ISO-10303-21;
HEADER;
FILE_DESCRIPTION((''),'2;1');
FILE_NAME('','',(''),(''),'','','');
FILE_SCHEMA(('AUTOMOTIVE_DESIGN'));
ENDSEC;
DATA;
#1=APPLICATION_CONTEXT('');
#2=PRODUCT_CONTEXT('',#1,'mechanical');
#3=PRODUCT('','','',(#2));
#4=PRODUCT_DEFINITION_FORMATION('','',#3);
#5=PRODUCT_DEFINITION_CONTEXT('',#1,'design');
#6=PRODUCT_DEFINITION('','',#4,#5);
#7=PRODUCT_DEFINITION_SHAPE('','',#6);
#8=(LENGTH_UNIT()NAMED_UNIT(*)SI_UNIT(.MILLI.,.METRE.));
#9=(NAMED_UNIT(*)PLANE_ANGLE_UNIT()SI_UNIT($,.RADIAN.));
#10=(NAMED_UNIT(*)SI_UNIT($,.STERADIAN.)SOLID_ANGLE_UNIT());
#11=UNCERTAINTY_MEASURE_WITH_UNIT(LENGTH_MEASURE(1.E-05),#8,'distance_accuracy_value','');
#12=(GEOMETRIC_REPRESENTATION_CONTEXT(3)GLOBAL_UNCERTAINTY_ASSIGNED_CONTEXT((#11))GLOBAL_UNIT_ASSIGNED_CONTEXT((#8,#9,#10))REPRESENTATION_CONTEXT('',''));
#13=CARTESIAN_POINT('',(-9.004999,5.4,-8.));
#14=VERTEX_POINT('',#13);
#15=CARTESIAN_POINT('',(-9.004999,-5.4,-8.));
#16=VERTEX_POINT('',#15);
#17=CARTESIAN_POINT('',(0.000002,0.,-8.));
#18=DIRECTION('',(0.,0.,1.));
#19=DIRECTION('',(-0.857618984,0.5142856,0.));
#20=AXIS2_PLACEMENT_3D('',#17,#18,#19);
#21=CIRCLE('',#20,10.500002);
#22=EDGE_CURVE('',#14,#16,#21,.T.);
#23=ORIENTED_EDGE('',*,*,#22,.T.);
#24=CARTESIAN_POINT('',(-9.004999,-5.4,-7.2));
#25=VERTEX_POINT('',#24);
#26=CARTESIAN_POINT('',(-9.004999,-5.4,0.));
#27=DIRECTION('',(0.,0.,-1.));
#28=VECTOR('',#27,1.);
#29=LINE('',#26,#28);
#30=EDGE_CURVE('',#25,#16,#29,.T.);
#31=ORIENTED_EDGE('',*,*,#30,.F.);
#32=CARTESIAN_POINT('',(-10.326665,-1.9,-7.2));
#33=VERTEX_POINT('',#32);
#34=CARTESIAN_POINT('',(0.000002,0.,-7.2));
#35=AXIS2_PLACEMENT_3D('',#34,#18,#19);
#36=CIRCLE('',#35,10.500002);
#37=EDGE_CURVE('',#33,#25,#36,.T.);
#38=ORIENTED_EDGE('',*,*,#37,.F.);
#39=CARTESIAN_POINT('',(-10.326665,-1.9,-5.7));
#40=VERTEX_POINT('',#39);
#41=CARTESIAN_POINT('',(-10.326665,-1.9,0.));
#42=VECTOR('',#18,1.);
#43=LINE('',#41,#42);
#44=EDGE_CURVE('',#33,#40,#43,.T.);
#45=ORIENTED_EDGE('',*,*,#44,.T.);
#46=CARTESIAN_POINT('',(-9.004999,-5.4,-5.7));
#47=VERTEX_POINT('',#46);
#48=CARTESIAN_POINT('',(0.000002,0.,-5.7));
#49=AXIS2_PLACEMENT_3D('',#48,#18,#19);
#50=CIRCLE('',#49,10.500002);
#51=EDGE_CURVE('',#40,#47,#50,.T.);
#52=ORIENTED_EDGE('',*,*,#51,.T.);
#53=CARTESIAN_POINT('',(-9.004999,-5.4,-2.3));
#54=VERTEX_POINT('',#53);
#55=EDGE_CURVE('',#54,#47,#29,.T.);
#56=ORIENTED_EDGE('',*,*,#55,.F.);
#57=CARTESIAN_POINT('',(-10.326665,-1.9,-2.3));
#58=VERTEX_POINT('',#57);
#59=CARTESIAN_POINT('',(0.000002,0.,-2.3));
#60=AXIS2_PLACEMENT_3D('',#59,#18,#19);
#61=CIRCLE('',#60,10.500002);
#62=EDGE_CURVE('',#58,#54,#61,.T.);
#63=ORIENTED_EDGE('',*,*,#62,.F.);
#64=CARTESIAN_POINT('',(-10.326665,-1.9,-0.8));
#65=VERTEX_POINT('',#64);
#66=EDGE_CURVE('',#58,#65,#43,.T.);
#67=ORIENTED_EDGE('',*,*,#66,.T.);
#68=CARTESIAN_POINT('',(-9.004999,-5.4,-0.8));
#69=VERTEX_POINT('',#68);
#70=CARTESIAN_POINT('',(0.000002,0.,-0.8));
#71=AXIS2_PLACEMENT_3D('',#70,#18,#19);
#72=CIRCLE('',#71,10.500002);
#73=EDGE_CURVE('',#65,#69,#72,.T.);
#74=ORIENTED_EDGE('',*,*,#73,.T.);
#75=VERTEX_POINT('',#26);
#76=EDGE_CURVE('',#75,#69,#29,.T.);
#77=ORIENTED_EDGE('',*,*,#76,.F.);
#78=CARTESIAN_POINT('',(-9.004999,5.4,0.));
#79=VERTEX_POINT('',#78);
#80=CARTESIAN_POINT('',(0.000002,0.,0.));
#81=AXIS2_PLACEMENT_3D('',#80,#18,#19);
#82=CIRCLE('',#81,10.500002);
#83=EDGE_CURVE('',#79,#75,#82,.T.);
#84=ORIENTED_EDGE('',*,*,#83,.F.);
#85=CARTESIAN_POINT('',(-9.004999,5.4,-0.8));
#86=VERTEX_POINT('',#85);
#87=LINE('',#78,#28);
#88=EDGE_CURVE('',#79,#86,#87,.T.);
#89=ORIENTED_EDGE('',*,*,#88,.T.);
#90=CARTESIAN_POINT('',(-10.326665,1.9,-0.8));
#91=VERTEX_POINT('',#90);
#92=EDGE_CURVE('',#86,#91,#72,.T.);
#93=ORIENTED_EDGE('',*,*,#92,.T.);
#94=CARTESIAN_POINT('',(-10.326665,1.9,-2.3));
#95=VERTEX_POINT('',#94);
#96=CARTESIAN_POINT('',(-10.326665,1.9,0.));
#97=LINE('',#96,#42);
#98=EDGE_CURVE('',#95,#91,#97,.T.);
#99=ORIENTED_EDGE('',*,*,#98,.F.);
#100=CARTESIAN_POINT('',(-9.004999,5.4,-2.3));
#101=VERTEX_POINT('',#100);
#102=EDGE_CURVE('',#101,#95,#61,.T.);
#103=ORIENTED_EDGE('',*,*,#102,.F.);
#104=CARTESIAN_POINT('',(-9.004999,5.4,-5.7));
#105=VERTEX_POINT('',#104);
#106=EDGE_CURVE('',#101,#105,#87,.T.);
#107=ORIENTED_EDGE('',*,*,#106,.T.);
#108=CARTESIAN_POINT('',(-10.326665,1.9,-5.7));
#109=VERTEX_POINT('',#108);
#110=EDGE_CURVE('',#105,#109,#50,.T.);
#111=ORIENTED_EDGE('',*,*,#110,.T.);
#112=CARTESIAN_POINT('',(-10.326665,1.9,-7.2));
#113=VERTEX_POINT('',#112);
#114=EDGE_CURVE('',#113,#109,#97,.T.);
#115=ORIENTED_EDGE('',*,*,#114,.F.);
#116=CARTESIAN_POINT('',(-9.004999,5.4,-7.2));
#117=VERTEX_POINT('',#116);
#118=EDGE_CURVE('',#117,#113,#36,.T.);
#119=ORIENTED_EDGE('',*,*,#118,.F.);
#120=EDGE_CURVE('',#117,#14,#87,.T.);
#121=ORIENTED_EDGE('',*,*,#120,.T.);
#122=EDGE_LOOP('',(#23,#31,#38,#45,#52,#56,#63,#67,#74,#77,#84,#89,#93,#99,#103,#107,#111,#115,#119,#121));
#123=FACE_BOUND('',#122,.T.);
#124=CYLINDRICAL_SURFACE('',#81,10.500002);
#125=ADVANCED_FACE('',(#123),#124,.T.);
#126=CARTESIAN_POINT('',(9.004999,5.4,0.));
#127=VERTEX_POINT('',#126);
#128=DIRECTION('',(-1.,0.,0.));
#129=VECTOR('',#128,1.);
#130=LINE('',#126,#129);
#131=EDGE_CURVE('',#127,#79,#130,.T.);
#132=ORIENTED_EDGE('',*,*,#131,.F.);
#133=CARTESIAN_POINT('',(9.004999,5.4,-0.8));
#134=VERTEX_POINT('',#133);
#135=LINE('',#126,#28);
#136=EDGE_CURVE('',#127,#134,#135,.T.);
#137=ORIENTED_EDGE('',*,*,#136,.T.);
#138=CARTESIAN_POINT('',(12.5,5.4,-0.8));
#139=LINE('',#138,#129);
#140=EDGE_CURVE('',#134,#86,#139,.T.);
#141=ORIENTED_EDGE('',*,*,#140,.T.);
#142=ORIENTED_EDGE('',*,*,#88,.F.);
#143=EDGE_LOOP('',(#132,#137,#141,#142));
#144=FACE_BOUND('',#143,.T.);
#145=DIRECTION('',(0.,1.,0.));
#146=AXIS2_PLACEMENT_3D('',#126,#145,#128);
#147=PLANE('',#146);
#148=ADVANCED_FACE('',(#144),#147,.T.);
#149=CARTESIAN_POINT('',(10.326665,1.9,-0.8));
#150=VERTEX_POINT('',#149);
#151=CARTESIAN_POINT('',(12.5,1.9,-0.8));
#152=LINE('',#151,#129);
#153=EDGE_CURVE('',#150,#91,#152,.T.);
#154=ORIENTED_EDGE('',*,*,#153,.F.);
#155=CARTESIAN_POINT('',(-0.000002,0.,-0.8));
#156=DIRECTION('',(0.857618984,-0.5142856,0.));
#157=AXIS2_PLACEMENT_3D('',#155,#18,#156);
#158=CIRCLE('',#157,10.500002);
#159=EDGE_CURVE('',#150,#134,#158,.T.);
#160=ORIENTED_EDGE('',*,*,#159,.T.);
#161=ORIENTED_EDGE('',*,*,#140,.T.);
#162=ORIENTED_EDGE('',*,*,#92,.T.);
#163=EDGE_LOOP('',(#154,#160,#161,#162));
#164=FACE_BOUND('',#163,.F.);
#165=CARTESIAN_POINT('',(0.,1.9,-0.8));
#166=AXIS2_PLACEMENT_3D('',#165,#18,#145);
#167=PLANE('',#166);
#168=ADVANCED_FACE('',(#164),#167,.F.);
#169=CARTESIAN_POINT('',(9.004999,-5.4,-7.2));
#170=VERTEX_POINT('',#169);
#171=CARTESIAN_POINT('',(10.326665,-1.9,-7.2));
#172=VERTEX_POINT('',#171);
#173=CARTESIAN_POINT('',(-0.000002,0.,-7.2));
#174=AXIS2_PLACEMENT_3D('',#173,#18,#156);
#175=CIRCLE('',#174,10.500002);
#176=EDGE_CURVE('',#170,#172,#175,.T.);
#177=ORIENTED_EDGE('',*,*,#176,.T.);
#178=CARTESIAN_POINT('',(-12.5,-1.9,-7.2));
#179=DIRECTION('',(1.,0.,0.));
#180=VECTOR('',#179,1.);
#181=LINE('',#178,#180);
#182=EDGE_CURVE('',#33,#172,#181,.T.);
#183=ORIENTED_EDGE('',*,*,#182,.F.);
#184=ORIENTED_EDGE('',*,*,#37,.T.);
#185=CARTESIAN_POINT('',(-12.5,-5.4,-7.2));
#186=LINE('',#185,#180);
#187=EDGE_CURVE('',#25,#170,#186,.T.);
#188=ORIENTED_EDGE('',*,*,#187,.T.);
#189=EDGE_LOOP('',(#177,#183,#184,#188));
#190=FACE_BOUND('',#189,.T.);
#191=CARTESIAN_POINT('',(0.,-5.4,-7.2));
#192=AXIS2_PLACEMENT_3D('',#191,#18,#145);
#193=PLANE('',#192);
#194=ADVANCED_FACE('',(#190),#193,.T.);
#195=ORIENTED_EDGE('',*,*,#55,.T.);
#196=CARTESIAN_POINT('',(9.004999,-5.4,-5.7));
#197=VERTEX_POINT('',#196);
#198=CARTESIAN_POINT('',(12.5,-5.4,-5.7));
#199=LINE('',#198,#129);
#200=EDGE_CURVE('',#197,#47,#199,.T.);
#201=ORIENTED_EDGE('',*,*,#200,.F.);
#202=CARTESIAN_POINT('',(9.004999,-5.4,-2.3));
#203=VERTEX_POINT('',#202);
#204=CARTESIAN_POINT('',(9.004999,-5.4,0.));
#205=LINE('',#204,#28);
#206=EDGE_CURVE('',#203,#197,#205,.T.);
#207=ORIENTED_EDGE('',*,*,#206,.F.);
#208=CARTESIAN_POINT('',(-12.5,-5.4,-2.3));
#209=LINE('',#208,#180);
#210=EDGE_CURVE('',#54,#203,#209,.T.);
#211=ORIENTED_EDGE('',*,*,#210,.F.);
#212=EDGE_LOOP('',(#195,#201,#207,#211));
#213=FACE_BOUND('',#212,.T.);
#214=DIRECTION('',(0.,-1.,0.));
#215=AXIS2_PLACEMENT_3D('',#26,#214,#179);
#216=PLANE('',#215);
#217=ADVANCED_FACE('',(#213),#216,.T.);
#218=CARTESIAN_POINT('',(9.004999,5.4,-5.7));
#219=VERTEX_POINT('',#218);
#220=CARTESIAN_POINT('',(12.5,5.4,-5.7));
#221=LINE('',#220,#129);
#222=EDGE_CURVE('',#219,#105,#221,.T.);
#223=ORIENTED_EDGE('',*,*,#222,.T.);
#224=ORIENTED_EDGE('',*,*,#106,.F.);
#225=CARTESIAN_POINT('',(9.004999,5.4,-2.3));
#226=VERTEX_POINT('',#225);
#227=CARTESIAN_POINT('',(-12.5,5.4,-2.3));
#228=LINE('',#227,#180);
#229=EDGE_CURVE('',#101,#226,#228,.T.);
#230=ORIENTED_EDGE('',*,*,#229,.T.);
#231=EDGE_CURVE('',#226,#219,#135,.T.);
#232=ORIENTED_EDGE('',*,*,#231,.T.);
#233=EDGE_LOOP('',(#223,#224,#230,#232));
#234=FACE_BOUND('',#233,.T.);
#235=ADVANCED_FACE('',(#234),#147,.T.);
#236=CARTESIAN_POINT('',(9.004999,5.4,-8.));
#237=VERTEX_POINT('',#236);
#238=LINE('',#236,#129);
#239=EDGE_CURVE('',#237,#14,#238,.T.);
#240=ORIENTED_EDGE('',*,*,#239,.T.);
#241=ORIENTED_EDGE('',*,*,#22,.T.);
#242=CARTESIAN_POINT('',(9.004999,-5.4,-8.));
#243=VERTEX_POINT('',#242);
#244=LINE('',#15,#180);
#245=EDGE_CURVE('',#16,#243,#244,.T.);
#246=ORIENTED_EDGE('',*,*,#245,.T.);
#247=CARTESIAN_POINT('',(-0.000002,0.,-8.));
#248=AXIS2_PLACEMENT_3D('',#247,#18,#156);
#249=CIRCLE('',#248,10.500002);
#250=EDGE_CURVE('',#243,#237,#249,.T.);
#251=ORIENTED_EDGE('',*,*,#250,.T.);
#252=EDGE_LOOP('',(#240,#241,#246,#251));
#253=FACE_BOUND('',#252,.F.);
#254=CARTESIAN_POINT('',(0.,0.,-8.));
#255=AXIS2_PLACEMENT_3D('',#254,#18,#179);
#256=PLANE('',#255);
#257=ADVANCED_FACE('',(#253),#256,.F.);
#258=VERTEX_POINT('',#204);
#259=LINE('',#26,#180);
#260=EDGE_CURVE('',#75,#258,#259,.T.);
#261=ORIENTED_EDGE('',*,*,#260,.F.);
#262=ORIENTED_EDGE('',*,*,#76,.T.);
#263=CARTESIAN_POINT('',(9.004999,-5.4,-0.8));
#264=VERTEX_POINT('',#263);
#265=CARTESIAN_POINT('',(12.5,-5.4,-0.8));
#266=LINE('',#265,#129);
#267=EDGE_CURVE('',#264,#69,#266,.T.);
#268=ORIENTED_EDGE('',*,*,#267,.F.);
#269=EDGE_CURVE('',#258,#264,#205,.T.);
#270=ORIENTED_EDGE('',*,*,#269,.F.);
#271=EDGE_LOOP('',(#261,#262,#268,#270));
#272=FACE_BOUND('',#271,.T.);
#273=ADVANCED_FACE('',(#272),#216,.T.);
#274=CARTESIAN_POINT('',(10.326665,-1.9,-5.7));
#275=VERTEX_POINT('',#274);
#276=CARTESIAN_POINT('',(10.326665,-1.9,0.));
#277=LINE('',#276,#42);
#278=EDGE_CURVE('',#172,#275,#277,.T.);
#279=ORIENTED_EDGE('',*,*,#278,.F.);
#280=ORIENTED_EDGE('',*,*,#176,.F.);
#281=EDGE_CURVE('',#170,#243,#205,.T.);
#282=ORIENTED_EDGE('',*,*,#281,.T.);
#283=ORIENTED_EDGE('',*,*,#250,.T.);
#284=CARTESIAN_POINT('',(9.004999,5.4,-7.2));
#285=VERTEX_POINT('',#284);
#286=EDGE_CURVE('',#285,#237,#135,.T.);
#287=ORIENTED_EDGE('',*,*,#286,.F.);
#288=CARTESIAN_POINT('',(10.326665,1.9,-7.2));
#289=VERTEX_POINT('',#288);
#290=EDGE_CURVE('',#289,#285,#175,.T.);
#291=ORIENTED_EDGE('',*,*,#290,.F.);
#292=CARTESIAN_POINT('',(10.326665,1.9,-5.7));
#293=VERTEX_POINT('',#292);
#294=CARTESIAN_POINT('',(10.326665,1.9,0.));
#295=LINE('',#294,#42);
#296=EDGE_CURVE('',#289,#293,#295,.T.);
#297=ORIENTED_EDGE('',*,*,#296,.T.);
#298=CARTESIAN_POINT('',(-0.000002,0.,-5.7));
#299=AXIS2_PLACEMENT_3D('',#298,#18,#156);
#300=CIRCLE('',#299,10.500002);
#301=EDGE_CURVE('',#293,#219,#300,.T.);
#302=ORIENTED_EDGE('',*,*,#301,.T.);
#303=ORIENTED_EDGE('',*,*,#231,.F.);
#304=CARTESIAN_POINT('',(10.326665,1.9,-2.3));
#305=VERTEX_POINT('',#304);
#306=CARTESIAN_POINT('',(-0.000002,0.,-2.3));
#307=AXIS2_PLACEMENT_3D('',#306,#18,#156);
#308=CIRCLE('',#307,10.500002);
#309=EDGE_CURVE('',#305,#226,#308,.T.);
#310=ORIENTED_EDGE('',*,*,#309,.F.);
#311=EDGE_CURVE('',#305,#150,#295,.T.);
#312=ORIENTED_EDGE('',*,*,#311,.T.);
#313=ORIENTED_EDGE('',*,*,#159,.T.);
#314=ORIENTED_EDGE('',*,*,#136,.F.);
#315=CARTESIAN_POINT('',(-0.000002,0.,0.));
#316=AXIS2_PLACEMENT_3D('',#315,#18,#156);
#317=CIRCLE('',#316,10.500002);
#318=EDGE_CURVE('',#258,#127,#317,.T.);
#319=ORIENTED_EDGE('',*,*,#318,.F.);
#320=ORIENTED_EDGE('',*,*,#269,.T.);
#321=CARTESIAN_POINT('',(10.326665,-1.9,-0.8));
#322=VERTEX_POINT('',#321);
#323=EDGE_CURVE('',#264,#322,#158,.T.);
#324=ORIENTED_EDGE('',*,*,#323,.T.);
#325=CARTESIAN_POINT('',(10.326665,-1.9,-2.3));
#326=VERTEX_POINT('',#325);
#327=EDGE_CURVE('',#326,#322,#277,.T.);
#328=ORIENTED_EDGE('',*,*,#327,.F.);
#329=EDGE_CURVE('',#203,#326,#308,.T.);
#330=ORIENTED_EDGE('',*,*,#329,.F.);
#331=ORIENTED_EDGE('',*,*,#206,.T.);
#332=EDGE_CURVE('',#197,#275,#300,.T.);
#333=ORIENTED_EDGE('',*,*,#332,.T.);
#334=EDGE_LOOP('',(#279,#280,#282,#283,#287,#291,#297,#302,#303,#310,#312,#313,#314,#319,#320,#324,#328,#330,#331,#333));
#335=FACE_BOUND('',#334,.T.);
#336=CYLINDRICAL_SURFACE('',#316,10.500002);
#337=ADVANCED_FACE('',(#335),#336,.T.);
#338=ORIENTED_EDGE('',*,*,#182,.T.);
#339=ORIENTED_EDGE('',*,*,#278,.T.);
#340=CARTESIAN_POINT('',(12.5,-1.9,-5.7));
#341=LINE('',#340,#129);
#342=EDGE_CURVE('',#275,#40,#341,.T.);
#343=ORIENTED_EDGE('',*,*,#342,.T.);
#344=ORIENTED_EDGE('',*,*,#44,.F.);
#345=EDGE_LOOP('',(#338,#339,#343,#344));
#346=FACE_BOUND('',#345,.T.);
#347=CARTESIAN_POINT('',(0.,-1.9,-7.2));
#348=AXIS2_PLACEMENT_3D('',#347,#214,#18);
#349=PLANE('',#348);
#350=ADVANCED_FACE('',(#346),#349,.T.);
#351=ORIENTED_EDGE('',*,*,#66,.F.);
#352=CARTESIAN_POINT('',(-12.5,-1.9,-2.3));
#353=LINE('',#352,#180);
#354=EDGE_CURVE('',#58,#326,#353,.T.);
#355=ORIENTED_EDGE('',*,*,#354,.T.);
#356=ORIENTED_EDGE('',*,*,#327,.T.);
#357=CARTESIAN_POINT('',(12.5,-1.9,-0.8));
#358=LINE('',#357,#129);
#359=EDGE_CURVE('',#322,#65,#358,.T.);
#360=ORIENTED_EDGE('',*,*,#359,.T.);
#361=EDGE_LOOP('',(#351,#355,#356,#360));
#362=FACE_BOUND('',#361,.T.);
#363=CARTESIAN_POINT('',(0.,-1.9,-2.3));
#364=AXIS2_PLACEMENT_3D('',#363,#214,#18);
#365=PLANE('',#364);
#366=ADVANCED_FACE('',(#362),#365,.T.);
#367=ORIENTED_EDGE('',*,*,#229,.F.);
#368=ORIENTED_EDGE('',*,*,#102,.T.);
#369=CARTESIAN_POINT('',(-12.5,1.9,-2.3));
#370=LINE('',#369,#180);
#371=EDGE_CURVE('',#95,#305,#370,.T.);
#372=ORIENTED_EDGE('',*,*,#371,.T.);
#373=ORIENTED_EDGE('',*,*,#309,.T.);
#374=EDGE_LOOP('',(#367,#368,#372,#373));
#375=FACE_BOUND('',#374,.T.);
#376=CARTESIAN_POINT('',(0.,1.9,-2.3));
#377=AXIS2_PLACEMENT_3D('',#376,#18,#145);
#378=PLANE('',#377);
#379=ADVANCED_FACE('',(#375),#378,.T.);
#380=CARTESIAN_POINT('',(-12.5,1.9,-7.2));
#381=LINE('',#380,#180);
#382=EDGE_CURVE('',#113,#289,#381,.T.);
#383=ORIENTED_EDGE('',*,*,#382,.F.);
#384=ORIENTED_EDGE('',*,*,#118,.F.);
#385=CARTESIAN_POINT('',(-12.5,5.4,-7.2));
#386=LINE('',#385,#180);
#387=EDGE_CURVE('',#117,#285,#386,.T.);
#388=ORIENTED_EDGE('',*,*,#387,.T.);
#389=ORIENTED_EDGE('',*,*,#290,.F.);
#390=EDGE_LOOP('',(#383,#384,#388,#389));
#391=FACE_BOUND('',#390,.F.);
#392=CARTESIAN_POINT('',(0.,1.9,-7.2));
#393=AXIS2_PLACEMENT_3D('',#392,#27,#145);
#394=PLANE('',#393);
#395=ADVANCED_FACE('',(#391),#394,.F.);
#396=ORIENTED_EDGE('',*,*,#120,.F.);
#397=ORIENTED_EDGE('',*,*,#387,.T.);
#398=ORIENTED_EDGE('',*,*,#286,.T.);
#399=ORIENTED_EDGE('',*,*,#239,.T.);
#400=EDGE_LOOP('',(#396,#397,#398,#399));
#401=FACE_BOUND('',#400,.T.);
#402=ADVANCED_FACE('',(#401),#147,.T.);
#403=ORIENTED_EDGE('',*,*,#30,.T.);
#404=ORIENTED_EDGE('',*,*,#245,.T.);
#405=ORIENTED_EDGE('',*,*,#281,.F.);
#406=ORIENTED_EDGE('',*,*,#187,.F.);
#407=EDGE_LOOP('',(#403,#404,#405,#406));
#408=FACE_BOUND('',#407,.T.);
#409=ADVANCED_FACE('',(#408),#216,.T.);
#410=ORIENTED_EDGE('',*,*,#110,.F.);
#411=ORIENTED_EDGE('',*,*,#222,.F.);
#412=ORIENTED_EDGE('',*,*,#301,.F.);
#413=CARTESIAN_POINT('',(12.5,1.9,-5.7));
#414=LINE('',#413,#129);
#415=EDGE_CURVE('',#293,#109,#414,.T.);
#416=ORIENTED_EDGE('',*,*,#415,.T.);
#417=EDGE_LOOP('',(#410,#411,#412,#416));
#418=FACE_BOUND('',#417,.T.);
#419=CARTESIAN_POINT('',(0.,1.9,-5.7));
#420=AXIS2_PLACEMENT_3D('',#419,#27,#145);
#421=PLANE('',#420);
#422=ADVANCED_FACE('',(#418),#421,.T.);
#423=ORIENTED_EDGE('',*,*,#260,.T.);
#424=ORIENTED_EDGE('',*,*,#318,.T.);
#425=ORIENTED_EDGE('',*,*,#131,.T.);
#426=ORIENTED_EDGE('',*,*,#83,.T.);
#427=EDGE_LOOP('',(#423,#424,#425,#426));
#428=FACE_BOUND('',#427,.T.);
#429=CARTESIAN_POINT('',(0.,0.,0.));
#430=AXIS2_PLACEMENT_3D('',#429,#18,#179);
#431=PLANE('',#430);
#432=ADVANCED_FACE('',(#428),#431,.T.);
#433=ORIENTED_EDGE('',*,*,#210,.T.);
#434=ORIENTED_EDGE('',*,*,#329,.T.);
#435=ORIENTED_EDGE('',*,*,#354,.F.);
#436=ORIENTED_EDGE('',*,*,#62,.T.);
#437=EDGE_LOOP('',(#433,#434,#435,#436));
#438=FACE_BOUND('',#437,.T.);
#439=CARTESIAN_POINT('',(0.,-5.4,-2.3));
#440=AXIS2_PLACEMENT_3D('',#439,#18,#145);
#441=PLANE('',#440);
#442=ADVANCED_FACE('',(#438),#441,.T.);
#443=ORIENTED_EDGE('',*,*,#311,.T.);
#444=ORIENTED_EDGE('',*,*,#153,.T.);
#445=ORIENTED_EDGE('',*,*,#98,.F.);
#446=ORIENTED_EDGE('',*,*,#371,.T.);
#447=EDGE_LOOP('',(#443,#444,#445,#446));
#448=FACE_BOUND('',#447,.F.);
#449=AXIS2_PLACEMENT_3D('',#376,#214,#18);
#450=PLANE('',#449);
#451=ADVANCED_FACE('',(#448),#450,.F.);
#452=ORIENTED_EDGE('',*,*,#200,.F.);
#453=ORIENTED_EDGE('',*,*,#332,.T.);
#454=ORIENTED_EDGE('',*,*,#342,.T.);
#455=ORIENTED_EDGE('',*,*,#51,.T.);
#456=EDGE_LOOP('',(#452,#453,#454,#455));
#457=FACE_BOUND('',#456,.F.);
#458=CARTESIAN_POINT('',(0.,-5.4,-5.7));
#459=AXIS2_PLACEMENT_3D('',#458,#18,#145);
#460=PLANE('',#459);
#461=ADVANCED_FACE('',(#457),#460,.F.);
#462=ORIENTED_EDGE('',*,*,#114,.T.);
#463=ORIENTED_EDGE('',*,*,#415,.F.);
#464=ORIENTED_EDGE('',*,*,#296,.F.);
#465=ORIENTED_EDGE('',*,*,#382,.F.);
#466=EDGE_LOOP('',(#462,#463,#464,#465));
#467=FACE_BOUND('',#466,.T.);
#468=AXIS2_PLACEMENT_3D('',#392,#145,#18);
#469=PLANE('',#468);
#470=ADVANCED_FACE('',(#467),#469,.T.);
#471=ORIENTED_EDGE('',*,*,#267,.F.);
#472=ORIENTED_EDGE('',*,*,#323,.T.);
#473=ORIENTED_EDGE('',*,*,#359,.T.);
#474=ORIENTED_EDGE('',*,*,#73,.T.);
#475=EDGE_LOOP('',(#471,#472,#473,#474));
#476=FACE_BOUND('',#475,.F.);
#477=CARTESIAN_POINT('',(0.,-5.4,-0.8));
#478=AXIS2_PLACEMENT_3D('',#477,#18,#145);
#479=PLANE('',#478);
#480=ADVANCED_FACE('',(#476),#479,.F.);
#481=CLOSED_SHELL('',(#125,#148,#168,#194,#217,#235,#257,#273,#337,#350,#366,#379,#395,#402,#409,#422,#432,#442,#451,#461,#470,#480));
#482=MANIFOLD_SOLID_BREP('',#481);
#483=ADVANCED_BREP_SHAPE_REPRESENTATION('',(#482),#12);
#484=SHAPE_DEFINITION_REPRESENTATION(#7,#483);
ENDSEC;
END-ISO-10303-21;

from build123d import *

# Parameters (mm, degrees)
F1_DEPTH = 8
F2_W     = 3.5
F2_H     = 1.5
F3_DEPTH = 12.5


with BuildPart() as f1:
    # F0 (on Top) → F1 (new body)
    with BuildSketch(Plane.XY):
        with BuildLine():
            ThreePointArc((9.004999, -5.4), (10.5, 0), (9.004999, 5.4))
            Line((9.004999, 5.4), (-9.004999, 5.4))
            ThreePointArc((-9.004999, 5.4), (-10.5, 0), (-9.004999, -5.4))
            Line((-9.004999, -5.4), (9.004999, -5.4))
        make_face()
    extrude(amount=-F1_DEPTH)

    # F2 (on Right) → F3 (cut, symmetric)
    with BuildSketch(Plane.YZ):
        with Locations((3.65, -1.55)):
            Rectangle(F2_W, F2_H)
        with Locations((-3.65, -1.55)):
            Rectangle(F2_W, F2_H)
        with Locations((-3.65, -6.45)):
            Rectangle(F2_W, F2_H)
        with Locations((3.65, -6.45)):
            Rectangle(F2_W, F2_H)
    extrude(amount=F3_DEPTH, both=True, mode=Mode.SUBTRACT)


solid = f1.part
